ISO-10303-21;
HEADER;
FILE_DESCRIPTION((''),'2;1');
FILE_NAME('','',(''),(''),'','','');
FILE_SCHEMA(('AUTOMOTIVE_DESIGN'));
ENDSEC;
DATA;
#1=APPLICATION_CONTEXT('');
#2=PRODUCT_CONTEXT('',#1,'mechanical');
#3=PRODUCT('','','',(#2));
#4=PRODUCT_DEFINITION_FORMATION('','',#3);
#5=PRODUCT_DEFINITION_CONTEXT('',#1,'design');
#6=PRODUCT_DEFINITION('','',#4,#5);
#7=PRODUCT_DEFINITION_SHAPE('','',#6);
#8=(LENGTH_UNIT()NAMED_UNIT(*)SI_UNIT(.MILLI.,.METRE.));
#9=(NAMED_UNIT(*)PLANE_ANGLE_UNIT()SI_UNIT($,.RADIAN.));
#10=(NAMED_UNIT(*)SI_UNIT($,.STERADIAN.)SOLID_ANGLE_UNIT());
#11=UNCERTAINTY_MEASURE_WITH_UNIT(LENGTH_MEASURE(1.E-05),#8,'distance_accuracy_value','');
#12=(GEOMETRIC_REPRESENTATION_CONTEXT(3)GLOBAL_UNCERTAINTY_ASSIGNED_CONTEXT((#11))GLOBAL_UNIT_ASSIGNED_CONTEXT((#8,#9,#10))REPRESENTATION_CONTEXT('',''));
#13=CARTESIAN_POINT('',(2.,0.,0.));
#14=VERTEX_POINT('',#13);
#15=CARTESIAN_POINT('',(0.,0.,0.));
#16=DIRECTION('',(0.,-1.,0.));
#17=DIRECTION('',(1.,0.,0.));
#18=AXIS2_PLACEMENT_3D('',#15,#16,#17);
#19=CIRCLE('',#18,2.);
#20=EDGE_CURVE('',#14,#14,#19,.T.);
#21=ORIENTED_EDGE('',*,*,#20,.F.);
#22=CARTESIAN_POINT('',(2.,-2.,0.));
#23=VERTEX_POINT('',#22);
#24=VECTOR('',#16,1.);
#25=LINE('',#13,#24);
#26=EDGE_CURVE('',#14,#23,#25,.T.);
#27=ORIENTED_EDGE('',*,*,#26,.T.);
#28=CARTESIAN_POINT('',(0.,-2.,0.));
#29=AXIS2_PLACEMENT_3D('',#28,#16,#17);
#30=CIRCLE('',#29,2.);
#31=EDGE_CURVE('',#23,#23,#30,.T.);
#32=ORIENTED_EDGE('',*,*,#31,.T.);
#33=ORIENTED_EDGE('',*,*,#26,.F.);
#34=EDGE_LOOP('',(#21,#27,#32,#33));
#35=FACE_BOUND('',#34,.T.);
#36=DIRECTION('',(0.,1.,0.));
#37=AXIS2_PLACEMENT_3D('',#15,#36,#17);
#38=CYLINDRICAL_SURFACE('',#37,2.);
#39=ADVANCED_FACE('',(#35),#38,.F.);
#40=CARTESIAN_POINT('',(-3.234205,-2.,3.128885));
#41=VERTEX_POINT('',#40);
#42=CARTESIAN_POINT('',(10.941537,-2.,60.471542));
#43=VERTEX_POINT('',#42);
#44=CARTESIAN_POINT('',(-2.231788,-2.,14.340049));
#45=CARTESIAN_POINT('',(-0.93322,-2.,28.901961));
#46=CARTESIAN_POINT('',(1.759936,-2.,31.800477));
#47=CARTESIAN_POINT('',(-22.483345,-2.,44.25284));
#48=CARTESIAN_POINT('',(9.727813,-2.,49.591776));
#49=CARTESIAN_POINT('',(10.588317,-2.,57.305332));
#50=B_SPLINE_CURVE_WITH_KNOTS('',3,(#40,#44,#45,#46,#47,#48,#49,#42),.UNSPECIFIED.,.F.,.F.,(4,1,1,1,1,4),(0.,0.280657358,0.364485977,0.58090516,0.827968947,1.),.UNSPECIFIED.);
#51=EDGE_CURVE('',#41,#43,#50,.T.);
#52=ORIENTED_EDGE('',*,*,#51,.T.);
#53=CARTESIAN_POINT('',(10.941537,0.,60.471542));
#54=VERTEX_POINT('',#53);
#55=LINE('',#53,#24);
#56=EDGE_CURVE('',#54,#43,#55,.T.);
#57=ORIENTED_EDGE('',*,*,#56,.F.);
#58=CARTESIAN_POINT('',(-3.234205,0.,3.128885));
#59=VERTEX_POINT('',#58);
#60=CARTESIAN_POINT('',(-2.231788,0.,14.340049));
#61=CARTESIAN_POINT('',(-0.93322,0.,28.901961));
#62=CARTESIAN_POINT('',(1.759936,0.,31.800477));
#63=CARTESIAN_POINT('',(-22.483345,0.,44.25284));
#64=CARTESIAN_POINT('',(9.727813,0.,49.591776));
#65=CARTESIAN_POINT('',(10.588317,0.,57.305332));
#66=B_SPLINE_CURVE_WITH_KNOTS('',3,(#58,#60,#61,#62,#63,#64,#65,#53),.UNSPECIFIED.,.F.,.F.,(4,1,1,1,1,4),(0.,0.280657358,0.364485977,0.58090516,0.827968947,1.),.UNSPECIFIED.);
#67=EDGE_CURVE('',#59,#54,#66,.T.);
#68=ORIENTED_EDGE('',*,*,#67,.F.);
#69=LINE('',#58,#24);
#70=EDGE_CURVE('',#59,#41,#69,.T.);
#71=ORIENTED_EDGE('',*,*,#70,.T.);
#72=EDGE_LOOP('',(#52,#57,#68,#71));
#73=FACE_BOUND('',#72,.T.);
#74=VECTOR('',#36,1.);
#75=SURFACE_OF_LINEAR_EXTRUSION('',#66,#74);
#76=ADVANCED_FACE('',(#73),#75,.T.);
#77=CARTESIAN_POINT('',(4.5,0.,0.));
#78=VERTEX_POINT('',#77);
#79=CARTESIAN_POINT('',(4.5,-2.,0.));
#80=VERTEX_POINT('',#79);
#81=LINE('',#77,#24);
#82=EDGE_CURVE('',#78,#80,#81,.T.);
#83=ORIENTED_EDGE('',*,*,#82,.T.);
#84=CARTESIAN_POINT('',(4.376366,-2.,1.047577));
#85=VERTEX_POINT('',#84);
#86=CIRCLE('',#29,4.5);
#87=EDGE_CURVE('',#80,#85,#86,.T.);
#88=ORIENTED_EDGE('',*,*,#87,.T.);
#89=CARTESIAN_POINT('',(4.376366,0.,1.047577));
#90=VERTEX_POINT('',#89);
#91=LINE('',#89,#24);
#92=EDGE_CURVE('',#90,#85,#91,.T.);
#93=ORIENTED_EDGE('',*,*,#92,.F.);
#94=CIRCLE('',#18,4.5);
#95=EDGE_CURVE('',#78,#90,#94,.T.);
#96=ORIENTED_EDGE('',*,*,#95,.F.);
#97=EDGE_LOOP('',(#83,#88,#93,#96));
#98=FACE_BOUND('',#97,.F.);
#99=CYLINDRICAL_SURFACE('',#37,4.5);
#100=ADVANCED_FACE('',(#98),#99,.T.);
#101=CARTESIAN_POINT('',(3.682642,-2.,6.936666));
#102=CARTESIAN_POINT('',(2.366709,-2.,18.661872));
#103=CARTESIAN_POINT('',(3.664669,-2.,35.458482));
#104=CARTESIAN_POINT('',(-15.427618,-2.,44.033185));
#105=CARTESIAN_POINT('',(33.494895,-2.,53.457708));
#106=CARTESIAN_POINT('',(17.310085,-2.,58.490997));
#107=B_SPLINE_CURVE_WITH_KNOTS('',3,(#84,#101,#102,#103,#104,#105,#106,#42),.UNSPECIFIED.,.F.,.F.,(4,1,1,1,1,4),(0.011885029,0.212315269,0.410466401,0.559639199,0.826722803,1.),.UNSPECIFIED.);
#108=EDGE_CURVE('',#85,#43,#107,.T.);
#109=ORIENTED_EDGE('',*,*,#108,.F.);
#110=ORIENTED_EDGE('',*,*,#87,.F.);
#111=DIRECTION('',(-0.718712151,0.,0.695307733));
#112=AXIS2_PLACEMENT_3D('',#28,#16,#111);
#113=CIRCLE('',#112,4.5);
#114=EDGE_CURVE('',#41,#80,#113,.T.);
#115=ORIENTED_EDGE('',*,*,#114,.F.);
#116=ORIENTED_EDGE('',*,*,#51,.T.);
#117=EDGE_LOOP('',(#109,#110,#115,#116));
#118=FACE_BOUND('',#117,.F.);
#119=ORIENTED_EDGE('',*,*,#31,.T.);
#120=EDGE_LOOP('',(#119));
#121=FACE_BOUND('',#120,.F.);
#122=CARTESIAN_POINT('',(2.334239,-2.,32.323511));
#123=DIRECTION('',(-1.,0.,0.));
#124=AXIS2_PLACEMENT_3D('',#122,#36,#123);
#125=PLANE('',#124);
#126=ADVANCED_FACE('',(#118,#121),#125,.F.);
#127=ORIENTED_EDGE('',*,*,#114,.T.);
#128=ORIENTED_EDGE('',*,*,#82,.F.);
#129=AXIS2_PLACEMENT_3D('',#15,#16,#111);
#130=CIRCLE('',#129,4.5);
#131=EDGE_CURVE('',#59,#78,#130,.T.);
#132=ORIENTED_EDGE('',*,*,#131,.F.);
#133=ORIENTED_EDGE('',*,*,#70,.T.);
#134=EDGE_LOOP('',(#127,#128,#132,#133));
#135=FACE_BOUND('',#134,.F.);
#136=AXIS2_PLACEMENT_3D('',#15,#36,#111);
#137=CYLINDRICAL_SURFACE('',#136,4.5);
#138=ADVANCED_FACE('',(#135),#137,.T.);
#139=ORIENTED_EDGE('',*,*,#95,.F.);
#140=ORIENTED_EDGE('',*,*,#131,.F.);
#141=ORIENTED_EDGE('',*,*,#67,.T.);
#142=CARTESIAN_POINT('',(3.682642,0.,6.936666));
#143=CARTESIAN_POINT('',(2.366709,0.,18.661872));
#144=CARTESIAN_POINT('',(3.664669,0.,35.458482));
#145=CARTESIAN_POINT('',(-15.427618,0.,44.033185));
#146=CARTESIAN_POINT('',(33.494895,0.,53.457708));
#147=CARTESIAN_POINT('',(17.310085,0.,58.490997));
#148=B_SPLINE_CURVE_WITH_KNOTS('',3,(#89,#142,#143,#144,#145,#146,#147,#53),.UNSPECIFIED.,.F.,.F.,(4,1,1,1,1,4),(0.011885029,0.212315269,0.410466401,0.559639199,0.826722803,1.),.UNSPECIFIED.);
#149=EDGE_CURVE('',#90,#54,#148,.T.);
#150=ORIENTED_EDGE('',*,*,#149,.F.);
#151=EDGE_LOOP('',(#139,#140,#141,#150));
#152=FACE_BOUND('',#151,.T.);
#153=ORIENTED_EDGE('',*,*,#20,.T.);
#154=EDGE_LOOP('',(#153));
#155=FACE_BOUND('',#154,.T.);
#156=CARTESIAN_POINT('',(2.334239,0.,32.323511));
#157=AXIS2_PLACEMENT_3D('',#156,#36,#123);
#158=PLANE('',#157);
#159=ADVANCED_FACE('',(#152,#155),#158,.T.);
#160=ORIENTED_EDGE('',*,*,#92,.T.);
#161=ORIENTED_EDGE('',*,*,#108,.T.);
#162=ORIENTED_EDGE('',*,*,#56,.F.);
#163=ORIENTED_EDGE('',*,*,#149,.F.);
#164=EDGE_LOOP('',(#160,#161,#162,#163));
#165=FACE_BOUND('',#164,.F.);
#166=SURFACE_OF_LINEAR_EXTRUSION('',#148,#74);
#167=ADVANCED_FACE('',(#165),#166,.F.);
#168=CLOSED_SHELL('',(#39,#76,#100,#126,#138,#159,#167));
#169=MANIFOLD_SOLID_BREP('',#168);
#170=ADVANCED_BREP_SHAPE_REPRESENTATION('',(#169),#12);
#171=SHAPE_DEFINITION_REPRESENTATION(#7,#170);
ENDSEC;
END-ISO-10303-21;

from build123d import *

# Parameters (mm, degrees)
F0_R     = 2
F1_DEPTH = 2


with BuildPart() as f1:
    # F0 (on Front) → F1 (new body)
    with BuildSketch(Plane.XZ):
        with BuildLine():
            add(Edge.make_bspline(
                [(-3.2342046806, 3.1288847988), (-2.2317880723, 14.3400494703), (-0.9332200343, 28.9019612165), (1.7599360211, 31.8004770558), (-22.4833448482, 44.2528397068), (9.727812994, 49.5917757047), (10.5883174377, 57.3053319675), (10.9415370971, 60.4715421796)],
                knots=[0, 0, 0, 0, 0.2806573581, 0.364485977, 0.5809051602, 0.8279689466, 1, 1, 1, 1], degree=3))
            ThreePointArc((-3.2342046806, 3.1288847988), (-1.6876135425, -4.171565717), (4.5, 0))
            add(Edge.make_bspline(
                [(4.5, 0), (4.4587512987, 0.3491840144), (4.4175025975, 0.6983680287), (4.3763664015, 1.0475767845)],
                knots=[0, 0, 0, 0, 0.0118850286, 0.0118850286, 0.0118850286, 0.0118850286], degree=3))
            add(Edge.make_bspline(
                [(4.3763664015, 1.0475767845), (3.6826417241, 6.9366660846), (2.3667094229, 18.6618721572), (3.6646686907, 35.458481949), (-15.4276184435, 44.0331851641), (33.4948952427, 53.4577083165), (17.3100845148, 58.4909974976), (10.9415370971, 60.4715421796)],
                knots=[0.0118850286, 0.0118850286, 0.0118850286, 0.0118850286, 0.2123152689, 0.4104664012, 0.559639199, 0.8267228027, 1, 1, 1, 1], degree=3))
        make_face()
        Circle(F0_R, mode=Mode.SUBTRACT)
        with BuildLine():
            add(Edge.make_bspline(
                [(4.5, 0), (4.4587512987, 0.3491840144), (4.4175025975, 0.6983680287), (4.3763664015, 1.0475767845)],
                knots=[0, 0, 0, 0, 0.0118850286, 0.0118850286, 0.0118850286, 0.0118850286], degree=3))
            ThreePointArc((4.5, 0), (4.4689847173, 0.5274235457), (4.3763664015, 1.0475767845))
        make_face()
    extrude(amount=F1_DEPTH)


solid = f1.part
